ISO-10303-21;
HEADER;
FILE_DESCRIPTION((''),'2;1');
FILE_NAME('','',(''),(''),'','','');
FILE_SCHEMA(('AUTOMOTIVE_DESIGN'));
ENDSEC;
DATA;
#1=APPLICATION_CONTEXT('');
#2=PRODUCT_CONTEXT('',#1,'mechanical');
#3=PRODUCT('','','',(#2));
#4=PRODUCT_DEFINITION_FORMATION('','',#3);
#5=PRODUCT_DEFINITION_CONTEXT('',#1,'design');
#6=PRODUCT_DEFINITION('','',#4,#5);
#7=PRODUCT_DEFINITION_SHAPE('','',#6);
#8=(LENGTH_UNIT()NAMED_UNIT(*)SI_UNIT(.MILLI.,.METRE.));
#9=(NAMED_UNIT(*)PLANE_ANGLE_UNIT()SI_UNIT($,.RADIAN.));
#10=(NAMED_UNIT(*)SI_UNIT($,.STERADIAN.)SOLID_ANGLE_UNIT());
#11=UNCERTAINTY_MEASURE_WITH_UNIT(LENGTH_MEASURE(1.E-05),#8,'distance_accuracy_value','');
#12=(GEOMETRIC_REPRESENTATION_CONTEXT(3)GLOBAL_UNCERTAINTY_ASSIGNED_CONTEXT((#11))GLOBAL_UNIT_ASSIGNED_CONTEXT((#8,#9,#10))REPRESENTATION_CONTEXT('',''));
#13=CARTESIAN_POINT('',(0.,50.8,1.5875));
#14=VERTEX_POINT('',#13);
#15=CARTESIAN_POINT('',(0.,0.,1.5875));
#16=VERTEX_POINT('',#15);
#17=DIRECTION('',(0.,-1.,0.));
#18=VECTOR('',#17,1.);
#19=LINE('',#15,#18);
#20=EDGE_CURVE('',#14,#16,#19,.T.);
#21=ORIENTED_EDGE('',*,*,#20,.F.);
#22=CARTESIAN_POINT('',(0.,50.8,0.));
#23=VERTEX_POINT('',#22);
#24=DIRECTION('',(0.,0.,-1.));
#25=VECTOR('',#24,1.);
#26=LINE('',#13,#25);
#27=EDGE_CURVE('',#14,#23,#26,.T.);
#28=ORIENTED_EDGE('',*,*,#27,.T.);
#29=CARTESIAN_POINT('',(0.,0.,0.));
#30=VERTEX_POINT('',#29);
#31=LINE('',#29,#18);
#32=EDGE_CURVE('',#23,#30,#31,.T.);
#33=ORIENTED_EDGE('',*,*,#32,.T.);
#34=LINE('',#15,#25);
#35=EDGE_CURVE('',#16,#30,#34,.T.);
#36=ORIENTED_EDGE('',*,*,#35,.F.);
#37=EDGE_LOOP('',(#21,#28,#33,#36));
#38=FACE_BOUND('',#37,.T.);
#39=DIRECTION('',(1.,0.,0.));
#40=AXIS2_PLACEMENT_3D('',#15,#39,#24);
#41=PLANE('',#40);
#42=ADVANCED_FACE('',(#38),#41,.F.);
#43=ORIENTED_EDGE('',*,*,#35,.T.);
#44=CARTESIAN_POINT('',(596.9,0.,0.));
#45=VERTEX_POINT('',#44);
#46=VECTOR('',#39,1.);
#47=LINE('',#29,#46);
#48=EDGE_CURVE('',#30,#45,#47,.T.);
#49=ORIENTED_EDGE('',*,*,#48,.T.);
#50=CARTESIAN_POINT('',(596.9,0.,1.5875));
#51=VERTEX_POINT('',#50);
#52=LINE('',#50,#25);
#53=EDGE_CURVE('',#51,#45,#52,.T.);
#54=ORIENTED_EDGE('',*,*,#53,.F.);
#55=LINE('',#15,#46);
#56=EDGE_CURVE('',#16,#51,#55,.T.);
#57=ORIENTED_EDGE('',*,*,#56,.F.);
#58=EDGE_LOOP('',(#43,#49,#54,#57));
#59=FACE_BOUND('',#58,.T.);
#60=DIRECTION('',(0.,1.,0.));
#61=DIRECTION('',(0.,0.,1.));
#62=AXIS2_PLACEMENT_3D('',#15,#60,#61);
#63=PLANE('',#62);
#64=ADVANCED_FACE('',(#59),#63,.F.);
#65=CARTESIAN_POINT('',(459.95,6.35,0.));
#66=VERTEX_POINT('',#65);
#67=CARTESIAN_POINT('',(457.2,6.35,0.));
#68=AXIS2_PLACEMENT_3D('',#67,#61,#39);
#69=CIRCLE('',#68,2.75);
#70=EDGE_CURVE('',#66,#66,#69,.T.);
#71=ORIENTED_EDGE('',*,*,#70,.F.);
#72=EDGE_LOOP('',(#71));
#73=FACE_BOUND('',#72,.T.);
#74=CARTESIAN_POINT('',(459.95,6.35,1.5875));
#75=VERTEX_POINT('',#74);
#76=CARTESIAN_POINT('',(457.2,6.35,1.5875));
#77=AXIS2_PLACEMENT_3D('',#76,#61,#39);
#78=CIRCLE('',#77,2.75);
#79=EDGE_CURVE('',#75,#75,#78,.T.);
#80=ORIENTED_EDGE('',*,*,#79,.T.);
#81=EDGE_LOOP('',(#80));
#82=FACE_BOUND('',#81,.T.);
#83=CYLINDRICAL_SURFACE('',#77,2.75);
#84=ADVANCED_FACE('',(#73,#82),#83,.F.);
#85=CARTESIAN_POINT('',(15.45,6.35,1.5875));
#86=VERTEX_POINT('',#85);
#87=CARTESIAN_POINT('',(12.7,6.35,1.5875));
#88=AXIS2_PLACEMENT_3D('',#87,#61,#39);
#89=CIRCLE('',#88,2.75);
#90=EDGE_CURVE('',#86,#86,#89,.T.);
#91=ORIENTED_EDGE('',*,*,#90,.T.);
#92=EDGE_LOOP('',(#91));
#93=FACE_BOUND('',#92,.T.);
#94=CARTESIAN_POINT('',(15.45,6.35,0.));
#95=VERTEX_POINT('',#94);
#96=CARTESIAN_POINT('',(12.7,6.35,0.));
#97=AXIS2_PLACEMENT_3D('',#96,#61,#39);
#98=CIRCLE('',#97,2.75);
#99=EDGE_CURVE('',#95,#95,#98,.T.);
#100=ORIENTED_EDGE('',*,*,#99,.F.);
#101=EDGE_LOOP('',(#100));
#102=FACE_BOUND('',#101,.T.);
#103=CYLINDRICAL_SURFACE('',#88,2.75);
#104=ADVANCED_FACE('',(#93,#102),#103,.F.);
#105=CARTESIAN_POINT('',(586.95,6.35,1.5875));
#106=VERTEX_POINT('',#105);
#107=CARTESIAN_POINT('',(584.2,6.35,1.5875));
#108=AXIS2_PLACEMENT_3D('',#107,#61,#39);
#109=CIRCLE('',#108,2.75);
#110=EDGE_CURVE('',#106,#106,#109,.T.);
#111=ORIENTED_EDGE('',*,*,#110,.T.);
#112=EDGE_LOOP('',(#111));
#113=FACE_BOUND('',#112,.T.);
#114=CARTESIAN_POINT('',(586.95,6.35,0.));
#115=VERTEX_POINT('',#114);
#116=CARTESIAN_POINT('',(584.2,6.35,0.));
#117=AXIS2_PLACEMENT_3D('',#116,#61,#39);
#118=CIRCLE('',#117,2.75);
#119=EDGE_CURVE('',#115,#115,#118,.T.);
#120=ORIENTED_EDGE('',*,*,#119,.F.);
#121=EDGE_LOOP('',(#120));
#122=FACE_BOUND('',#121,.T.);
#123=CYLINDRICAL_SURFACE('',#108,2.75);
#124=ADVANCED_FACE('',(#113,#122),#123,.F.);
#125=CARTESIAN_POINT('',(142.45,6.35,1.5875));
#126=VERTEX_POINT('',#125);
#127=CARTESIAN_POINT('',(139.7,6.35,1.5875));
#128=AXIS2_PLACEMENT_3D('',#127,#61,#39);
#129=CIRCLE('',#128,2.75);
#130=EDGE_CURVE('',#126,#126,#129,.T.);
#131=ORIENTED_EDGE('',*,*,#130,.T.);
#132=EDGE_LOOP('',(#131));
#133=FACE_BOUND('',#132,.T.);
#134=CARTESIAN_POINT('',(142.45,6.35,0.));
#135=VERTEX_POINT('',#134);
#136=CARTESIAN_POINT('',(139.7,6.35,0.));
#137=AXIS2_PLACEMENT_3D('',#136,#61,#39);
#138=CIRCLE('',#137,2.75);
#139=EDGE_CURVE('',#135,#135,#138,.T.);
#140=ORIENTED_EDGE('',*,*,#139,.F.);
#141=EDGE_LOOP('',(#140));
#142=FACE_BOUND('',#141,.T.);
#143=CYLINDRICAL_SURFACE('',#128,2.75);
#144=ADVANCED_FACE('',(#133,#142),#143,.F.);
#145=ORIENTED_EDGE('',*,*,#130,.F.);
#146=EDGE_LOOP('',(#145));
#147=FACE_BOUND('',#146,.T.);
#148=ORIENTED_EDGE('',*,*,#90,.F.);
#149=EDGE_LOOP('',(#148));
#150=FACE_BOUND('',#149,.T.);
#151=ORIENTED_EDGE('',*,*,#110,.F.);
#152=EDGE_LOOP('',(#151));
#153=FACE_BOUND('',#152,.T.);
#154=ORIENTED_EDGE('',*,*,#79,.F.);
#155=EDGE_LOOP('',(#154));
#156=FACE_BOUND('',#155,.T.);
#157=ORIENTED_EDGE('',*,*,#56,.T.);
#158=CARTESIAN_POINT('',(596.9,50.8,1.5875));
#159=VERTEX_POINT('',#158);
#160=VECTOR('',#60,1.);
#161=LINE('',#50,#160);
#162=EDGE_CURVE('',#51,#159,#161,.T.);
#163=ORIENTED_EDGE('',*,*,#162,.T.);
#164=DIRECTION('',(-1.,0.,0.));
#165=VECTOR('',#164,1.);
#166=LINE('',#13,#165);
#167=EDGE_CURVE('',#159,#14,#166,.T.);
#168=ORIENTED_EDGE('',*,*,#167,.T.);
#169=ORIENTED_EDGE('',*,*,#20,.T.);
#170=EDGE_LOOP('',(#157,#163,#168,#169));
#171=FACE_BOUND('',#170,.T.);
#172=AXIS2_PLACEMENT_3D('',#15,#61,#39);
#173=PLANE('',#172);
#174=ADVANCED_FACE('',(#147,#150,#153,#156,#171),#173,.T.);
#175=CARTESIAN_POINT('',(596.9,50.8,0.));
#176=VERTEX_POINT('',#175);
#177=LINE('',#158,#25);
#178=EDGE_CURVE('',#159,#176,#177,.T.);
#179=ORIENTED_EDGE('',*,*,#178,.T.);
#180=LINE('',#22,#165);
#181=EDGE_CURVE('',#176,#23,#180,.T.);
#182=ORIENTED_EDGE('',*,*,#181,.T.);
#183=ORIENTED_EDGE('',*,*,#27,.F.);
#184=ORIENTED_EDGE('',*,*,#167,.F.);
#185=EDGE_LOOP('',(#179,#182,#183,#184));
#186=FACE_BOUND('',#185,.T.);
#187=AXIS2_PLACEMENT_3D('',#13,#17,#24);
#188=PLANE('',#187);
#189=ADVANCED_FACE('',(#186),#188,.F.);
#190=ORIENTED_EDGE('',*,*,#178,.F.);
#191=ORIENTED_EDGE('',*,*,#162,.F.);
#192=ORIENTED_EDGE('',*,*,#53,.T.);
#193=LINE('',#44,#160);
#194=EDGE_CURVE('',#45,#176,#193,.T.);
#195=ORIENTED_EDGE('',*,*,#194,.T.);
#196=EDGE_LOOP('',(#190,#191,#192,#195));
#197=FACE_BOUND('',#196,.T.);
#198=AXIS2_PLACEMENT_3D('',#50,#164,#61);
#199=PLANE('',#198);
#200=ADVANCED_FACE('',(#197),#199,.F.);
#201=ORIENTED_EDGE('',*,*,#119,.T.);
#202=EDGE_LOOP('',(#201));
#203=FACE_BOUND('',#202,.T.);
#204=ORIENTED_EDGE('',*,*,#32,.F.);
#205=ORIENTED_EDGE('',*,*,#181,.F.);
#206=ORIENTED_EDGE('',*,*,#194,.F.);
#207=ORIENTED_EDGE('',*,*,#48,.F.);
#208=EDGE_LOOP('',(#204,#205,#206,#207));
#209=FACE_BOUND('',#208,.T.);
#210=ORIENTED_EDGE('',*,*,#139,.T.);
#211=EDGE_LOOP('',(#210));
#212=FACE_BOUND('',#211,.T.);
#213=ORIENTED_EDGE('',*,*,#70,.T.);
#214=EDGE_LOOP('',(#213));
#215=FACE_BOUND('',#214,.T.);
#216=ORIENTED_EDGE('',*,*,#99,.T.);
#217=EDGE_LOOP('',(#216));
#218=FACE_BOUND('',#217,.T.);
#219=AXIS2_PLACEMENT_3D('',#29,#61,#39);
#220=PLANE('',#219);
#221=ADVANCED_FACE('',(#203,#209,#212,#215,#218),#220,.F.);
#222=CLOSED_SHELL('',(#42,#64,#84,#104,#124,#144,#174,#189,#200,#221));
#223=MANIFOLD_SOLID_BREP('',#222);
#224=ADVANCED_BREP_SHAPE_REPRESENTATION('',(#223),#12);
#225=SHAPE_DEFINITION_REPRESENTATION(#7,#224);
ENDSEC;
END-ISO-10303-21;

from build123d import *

# Parameters (mm, degrees)
SKETCH2_W            = 596.9
SKETCH2_H            = 50.8
BOSS_EXTRUDE1_DEPTH  = 1.5875
M5_CLEARANCE_HOLE1_D = 5.5


with BuildPart() as part:
    # Sketch2 → Boss-Extrude1 (new body)
    with BuildSketch(Plane.XY):
        with Locations((298.45, 25.4)):
            Rectangle(SKETCH2_W, SKETCH2_H)
    extrude(amount=BOSS_EXTRUDE1_DEPTH)

    # M5 Clearance Hole1 (through all)
    with Locations(Plane.XY.offset(1.5875)):
        with Locations((584.2, 6.35), (457.2, 6.35), (139.7, 6.35), (12.7, 6.35)):
            Hole(M5_CLEARANCE_HOLE1_D / 2)


solid = part.part
